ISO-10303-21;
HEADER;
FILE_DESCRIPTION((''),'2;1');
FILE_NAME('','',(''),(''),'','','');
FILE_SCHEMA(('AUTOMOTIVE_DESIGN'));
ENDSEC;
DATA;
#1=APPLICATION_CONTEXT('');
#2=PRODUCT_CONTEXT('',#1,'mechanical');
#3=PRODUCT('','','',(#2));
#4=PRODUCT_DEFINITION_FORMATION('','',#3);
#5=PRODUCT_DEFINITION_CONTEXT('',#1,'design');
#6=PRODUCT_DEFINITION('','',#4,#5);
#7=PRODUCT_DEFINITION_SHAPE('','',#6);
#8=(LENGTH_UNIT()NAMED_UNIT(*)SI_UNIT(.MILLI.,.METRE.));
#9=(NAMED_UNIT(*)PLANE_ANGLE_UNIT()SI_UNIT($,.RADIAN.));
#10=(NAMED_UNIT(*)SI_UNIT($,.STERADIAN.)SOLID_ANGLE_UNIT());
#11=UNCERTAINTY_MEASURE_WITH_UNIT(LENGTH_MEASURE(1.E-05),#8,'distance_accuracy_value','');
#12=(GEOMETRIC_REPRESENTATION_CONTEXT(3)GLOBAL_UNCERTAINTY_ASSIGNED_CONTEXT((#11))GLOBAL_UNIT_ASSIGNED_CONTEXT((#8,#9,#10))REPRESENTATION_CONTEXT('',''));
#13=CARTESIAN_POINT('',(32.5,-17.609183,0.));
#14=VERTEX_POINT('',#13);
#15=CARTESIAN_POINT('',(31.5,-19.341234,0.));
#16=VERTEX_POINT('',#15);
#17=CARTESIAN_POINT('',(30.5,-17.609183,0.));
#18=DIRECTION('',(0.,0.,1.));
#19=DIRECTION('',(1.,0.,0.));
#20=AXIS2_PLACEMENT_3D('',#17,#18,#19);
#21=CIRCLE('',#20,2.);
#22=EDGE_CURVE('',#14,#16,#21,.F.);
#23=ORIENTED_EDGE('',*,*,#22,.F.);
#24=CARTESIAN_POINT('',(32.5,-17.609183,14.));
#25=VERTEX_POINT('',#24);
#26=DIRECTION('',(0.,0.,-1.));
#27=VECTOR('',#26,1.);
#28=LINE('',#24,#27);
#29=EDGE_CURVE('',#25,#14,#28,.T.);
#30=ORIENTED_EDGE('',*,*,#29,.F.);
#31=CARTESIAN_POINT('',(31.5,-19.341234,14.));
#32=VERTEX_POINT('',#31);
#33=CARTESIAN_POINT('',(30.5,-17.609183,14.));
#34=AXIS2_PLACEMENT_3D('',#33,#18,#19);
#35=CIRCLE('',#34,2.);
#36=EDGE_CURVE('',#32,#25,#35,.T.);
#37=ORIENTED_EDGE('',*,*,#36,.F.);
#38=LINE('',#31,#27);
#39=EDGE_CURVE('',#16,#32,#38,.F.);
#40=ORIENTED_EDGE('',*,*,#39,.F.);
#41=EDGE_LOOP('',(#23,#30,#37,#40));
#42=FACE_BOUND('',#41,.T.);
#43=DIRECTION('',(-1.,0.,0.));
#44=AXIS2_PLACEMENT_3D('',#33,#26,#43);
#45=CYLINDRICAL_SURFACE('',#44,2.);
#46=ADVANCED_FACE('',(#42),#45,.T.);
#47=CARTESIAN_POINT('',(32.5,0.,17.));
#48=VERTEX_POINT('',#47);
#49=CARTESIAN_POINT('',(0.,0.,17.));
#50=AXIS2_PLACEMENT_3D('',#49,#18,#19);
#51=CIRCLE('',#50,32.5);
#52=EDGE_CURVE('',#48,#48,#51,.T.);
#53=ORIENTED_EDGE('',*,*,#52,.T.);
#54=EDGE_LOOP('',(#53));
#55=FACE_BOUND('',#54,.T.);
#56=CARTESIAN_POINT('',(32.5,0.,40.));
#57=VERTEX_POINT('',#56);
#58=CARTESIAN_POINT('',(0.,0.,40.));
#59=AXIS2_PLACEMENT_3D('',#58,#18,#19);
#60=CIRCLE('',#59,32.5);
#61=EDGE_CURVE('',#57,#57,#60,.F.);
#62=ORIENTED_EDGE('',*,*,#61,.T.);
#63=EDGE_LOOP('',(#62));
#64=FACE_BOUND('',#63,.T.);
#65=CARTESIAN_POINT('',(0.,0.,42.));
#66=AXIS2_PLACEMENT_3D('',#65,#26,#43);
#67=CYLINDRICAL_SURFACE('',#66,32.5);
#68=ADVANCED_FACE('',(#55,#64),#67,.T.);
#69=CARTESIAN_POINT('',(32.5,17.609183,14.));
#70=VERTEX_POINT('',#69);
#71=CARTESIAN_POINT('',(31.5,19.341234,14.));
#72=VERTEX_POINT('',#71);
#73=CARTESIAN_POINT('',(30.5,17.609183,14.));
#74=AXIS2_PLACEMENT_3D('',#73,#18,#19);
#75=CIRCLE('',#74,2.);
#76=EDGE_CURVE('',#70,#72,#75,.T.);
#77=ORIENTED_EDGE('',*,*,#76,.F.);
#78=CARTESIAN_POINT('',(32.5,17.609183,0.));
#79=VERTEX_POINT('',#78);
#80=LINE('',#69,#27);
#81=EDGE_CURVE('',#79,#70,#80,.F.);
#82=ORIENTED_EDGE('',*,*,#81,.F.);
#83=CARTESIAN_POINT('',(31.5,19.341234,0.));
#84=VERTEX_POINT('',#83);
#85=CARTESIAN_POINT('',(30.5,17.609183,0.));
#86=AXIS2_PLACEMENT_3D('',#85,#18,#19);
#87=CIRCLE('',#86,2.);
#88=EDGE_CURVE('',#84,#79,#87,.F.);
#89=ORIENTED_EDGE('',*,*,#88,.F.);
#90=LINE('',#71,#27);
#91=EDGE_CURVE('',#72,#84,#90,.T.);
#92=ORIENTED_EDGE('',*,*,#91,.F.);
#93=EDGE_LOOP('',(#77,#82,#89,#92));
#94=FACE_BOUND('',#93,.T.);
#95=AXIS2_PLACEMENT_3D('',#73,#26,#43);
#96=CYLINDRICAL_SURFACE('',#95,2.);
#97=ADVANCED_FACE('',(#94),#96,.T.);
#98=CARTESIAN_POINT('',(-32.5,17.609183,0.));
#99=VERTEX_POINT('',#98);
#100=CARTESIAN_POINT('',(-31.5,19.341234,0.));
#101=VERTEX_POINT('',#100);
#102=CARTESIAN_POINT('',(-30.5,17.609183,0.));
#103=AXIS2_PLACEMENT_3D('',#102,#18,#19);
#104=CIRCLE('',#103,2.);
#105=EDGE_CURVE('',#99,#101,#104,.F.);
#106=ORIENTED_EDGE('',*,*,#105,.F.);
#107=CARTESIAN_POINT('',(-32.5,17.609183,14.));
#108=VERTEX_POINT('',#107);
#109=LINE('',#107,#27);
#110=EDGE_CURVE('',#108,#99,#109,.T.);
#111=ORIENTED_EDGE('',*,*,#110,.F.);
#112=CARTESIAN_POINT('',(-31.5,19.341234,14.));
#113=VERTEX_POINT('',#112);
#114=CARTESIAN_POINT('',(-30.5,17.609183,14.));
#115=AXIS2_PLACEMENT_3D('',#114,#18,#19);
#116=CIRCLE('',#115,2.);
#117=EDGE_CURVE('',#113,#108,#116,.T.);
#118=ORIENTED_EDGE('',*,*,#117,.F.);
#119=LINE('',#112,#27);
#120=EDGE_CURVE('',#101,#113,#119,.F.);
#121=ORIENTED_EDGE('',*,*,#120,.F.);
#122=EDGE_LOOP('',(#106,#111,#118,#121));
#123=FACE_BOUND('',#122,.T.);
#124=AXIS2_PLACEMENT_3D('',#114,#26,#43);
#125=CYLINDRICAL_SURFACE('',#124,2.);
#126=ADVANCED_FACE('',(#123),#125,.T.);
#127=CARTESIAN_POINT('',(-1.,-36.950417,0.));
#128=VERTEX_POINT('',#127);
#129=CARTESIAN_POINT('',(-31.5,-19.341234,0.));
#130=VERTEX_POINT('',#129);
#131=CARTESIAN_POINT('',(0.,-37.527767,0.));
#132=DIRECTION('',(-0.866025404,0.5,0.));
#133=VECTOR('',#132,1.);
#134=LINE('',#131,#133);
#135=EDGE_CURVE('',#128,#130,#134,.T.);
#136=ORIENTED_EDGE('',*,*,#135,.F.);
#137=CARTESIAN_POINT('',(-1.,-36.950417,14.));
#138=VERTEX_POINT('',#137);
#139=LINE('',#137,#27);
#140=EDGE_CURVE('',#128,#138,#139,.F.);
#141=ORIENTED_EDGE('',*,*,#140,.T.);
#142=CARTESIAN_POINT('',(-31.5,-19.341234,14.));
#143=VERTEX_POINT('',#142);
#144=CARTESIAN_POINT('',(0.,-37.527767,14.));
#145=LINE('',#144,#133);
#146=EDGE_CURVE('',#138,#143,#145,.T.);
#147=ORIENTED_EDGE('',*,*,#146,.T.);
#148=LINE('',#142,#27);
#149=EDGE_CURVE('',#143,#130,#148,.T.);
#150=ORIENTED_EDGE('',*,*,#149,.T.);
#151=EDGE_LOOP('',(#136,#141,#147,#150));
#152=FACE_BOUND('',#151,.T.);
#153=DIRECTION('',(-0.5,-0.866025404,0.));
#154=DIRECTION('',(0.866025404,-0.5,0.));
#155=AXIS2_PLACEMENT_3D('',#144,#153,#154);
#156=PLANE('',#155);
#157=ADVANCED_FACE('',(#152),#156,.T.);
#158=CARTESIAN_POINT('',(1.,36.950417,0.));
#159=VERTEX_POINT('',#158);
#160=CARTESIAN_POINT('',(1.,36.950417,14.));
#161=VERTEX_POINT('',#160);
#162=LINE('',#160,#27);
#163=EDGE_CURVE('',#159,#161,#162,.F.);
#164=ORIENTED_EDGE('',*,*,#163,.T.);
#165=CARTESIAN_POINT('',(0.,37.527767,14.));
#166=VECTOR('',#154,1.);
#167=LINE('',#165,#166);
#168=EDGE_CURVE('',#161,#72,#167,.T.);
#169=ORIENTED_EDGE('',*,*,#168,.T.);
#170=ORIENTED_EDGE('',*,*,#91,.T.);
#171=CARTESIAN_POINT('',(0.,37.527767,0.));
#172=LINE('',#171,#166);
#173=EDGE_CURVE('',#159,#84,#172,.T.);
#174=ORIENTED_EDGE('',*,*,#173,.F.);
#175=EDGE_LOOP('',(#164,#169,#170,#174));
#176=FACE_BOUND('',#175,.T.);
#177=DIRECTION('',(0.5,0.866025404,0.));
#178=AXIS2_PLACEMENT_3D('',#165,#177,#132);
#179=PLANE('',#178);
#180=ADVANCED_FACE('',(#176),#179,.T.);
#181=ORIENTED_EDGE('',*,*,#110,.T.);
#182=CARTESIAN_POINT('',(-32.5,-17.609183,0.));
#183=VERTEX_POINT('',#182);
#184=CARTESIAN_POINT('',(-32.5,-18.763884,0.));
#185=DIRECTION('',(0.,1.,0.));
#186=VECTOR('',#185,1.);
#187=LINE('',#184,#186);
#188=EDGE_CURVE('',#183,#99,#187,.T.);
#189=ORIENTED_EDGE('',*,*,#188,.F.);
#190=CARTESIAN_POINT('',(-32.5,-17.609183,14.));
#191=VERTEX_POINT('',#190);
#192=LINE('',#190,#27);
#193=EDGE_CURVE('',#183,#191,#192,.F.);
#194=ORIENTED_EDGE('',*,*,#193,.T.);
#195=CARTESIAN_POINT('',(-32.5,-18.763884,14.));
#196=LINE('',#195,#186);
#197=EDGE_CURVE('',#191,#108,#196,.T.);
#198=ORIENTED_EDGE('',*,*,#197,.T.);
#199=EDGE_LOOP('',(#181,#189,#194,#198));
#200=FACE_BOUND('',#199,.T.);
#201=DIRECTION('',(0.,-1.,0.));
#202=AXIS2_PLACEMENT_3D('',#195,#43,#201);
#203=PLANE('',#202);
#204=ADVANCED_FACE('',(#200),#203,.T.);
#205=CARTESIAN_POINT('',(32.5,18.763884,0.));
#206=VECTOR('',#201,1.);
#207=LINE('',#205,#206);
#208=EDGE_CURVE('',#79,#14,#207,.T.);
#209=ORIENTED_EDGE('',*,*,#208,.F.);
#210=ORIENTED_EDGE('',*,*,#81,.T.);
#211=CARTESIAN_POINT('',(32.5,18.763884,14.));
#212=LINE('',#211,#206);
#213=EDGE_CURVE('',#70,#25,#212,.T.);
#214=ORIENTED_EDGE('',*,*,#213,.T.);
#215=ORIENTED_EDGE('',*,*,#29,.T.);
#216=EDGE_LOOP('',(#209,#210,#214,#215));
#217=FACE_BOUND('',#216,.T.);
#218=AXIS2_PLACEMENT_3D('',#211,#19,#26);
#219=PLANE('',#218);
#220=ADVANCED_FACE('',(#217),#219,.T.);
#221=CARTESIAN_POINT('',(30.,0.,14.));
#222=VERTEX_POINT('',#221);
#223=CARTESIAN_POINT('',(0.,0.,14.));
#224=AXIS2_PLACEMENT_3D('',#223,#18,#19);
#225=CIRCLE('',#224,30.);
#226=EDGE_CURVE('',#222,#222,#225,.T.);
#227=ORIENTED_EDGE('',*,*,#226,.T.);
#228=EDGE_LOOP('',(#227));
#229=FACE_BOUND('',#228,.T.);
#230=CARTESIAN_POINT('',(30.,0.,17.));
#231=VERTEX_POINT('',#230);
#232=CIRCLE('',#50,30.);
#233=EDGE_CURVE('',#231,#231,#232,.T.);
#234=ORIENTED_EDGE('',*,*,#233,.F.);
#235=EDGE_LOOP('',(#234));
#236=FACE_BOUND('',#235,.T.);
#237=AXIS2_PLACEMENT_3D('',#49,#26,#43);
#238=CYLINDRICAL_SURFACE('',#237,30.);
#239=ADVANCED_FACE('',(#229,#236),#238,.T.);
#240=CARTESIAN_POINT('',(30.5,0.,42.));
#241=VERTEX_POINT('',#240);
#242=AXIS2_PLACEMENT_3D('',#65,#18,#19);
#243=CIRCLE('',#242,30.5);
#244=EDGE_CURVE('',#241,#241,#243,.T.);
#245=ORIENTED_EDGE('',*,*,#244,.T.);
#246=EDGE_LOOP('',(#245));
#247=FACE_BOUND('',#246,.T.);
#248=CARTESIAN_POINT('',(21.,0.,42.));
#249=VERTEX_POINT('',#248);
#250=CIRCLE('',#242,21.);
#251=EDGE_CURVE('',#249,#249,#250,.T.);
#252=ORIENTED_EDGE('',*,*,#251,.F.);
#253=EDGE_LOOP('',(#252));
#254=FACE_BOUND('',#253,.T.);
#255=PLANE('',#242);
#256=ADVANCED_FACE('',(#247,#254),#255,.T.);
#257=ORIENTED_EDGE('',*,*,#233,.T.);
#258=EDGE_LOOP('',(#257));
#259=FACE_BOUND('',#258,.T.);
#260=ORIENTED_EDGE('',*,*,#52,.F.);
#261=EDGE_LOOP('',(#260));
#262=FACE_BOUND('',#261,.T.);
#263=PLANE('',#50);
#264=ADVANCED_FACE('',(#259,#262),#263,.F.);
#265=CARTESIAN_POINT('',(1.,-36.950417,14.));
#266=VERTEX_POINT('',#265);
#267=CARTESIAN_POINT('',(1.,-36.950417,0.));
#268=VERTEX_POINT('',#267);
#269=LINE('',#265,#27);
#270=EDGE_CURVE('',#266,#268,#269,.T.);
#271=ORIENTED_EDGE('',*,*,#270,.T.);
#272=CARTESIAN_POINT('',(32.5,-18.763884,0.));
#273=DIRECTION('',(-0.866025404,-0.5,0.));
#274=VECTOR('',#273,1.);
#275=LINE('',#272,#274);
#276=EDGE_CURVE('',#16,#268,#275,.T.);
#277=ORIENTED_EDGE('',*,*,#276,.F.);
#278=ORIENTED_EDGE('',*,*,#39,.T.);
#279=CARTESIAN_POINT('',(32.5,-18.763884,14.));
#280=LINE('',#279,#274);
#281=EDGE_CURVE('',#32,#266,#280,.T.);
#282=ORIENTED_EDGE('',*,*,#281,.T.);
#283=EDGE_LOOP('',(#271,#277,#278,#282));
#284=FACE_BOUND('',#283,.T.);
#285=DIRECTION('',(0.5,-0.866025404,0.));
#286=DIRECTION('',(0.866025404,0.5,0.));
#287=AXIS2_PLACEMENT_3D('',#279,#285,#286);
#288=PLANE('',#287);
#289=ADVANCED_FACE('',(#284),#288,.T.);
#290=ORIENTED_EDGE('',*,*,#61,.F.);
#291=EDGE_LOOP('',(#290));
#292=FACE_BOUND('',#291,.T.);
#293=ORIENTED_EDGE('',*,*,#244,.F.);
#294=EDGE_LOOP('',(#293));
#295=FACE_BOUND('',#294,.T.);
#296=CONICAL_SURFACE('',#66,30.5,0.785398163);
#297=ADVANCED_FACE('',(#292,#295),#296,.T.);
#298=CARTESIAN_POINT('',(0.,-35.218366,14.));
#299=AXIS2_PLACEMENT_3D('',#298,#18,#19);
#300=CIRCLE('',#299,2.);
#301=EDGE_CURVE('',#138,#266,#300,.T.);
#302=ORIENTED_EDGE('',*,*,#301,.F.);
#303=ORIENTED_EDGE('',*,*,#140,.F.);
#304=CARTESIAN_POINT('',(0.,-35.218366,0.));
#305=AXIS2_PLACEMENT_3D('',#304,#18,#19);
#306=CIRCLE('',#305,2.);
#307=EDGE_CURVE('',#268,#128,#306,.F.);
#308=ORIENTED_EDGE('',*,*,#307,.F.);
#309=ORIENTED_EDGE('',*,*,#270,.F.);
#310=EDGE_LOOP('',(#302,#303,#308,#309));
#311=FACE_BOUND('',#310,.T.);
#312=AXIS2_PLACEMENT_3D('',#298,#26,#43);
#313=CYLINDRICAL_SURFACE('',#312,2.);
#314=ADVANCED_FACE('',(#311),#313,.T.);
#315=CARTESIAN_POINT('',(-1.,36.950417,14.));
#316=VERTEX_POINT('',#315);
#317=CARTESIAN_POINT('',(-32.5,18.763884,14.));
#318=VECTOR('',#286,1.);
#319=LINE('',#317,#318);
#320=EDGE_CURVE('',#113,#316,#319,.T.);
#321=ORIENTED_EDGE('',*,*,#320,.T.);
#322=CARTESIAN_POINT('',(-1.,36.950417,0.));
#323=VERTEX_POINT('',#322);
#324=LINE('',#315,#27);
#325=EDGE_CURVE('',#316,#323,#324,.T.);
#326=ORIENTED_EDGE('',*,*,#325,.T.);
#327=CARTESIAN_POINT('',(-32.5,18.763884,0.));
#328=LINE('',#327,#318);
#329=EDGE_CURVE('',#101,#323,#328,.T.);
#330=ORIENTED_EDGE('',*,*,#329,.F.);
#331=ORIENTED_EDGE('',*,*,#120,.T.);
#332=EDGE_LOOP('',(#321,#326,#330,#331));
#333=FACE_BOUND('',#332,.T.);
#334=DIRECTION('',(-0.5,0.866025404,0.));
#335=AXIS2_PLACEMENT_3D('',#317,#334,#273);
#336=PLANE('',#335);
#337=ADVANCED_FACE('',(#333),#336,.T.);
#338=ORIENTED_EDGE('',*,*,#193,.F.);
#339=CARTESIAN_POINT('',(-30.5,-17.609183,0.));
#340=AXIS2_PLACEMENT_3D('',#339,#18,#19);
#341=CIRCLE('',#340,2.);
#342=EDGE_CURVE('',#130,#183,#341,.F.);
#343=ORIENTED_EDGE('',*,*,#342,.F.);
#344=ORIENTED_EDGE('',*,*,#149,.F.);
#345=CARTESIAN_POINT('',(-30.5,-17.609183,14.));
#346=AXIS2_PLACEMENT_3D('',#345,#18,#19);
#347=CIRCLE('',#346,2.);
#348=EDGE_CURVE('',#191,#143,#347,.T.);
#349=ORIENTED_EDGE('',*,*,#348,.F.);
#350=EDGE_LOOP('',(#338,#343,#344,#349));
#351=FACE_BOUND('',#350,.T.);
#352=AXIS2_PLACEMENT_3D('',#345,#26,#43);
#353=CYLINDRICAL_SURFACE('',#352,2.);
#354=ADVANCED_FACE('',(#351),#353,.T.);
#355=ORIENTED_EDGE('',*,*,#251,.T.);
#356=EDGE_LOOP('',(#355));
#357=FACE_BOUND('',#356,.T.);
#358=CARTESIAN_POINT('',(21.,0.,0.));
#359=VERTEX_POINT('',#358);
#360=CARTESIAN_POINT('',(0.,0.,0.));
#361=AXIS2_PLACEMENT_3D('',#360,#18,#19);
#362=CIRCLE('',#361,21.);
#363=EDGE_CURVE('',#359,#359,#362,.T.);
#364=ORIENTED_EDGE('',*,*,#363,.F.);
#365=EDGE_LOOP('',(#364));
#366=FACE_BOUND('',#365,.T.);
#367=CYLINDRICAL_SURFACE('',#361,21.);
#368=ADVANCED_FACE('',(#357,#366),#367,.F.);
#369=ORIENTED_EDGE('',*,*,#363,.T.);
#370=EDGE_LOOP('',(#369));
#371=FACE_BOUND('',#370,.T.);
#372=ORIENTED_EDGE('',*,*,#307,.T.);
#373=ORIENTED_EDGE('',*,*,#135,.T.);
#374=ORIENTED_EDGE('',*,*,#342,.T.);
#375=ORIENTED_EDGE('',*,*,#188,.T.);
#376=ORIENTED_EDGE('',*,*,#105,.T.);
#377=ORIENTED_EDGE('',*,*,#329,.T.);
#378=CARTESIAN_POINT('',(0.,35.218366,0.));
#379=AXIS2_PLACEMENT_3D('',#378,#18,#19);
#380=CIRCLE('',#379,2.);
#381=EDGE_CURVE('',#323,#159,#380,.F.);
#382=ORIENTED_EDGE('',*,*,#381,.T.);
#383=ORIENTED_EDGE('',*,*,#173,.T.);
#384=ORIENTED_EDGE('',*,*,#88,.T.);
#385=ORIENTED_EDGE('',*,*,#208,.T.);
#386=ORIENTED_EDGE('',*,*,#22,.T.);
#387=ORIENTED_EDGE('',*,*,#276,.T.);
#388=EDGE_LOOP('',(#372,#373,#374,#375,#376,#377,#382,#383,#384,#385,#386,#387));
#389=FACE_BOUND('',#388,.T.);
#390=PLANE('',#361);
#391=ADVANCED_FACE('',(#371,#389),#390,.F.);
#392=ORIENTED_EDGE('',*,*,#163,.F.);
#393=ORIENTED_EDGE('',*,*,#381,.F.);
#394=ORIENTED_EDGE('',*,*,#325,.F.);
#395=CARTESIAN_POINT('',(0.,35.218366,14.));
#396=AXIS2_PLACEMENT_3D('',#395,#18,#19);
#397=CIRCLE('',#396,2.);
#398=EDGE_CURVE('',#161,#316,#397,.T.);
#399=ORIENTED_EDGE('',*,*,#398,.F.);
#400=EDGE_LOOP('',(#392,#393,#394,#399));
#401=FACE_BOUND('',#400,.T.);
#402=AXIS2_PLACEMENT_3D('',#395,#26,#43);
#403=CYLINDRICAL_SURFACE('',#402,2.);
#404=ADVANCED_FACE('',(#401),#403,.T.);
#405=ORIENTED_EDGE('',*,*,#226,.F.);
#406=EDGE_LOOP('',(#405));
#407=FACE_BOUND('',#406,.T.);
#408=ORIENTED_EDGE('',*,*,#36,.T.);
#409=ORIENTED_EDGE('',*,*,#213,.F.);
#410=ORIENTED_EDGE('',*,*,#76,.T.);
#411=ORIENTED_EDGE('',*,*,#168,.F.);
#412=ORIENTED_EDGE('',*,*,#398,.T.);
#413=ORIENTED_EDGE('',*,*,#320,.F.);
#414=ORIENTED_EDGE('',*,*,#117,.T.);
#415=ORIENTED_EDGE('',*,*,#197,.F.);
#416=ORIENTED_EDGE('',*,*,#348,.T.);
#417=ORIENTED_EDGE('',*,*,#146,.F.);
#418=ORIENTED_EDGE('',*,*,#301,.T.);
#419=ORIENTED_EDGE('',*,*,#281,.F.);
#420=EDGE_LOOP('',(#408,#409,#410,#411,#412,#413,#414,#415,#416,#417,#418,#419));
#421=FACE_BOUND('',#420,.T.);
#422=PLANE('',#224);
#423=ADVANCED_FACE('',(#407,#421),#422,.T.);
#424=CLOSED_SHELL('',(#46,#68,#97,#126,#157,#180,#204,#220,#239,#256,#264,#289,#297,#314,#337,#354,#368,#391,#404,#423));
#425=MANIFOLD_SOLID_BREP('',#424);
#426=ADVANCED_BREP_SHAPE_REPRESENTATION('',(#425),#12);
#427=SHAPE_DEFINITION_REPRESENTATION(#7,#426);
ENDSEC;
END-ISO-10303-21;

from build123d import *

# Parameters (mm, degrees)
SKETCH1_R           = 32.5
BOSS_EXTRUDE1_DEPTH = 42
CUT_EXTRUDE1_START  = -28
SKETCH2_R           = 32.5
SKETCH2_R_2         = 30
CUT_EXTRUDE1_DEPTH  = 3
BOSS_EXTRUDE2_DEPTH = 14
FILLET1_R           = 2
CHAMFER1_SIZE       = 2
SKETCH4_R           = 21
CUT_EXTRUDE2_DEPTH  = 43


with BuildPart() as part:
    # Sketch1 → Boss-Extrude1 (new body)
    with BuildSketch(Plane.XY):
        Circle(SKETCH1_R)
    extrude(amount=BOSS_EXTRUDE1_DEPTH)

    # Sketch2 → Cut-Extrude1 (cut)
    with BuildSketch(Plane.XY.offset(42).offset(CUT_EXTRUDE1_START)):
        Circle(SKETCH2_R)
        Circle(SKETCH2_R_2, mode=Mode.SUBTRACT)
    extrude(amount=CUT_EXTRUDE1_DEPTH, mode=Mode.SUBTRACT)

    # Sketch3 → Boss-Extrude2 (add)
    with BuildSketch(Plane(origin=(0, 0, 0), x_dir=(-1, 0, 0), z_dir=(0, 0, -1))):
        Polygon((0, 37.527767497), (-32.5, 18.763883749), (-32.5, -18.763883749), (0, -37.527767497), (32.5, -18.763883749), (32.5, 18.763883749), align=None)
    extrude(amount=-BOSS_EXTRUDE2_DEPTH)

    # Fillet1
    fillet1_edges = [part.edges().sort_by_distance(p)[0] for p in [
        (0, 37.527767497, 7),
        (-32.5, 18.763883749, 7),
        (-32.5, -18.763883749, 7),
        (0, -37.527767497, 7),
        (32.5, -18.763883749, 7),
        (32.5, 18.763883749, 7),
    ]]
    fillet(fillet1_edges, radius=FILLET1_R)

    # Chamfer1
    chamfer1_edges = [part.edges().sort_by_distance(p)[0] for p in [
        (-32.5, 0, 42),
    ]]
    chamfer(chamfer1_edges, length=CHAMFER1_SIZE)

    # Sketch4 → Cut-Extrude2 (cut, through all)
    with BuildSketch(Plane.XY.offset(42)):
        Circle(SKETCH4_R)
    extrude(amount=-CUT_EXTRUDE2_DEPTH, mode=Mode.SUBTRACT)


solid = part.part
